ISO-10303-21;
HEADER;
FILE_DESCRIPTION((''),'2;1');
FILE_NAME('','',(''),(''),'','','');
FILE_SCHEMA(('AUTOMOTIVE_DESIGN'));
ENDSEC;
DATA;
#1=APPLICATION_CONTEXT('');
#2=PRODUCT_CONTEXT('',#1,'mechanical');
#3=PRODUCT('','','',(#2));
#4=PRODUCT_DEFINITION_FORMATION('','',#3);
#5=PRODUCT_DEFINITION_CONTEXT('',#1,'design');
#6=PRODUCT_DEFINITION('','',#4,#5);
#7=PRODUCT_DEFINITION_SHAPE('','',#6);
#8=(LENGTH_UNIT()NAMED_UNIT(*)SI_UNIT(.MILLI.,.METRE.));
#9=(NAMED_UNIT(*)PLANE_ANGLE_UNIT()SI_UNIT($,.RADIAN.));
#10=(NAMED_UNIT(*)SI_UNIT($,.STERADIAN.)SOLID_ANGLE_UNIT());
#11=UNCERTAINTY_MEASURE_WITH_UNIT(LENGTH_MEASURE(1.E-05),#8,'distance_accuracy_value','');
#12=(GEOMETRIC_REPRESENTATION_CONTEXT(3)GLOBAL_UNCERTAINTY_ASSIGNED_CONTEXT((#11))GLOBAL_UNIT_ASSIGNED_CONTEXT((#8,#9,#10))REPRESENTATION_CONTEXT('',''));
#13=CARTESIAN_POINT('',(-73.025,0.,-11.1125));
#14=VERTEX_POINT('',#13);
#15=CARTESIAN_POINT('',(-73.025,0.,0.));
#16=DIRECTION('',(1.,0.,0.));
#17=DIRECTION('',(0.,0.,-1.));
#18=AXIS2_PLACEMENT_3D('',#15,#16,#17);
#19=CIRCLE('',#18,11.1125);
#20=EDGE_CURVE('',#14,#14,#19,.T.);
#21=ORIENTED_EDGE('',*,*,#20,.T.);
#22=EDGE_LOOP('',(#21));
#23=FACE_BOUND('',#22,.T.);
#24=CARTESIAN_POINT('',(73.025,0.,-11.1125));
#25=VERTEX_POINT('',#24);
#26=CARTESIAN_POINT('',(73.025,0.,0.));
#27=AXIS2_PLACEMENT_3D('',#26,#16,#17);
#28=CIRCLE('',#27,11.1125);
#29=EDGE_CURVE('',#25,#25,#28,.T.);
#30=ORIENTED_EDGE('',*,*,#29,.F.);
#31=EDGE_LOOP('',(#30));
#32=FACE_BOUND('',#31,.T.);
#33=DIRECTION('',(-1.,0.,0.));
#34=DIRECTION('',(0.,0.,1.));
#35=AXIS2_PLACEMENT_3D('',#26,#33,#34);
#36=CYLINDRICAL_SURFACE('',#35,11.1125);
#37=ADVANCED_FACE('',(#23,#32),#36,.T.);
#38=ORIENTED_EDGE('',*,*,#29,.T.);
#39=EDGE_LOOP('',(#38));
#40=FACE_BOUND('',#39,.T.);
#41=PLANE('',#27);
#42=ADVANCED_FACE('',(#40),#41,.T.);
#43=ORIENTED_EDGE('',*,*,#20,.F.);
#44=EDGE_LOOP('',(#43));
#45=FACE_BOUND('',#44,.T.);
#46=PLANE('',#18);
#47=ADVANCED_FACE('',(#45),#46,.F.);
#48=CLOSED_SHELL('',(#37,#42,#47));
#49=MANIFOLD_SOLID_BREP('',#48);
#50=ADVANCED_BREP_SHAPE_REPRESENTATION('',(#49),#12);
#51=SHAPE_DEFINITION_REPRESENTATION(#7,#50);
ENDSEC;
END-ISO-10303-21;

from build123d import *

# Parameters (mm, degrees)
SKETCH1_R           = 11.1125
BOSS_EXTRUDE1_DEPTH = 73.025


with BuildPart() as part:
    # Sketch1 → Boss-Extrude1 (new body, symmetric)
    with BuildSketch(Plane(origin=(0, 0, 0), x_dir=(0, 0, -1), z_dir=(1, 0, 0))):
        Circle(SKETCH1_R)
    extrude(amount=BOSS_EXTRUDE1_DEPTH, both=True)


solid = part.part
